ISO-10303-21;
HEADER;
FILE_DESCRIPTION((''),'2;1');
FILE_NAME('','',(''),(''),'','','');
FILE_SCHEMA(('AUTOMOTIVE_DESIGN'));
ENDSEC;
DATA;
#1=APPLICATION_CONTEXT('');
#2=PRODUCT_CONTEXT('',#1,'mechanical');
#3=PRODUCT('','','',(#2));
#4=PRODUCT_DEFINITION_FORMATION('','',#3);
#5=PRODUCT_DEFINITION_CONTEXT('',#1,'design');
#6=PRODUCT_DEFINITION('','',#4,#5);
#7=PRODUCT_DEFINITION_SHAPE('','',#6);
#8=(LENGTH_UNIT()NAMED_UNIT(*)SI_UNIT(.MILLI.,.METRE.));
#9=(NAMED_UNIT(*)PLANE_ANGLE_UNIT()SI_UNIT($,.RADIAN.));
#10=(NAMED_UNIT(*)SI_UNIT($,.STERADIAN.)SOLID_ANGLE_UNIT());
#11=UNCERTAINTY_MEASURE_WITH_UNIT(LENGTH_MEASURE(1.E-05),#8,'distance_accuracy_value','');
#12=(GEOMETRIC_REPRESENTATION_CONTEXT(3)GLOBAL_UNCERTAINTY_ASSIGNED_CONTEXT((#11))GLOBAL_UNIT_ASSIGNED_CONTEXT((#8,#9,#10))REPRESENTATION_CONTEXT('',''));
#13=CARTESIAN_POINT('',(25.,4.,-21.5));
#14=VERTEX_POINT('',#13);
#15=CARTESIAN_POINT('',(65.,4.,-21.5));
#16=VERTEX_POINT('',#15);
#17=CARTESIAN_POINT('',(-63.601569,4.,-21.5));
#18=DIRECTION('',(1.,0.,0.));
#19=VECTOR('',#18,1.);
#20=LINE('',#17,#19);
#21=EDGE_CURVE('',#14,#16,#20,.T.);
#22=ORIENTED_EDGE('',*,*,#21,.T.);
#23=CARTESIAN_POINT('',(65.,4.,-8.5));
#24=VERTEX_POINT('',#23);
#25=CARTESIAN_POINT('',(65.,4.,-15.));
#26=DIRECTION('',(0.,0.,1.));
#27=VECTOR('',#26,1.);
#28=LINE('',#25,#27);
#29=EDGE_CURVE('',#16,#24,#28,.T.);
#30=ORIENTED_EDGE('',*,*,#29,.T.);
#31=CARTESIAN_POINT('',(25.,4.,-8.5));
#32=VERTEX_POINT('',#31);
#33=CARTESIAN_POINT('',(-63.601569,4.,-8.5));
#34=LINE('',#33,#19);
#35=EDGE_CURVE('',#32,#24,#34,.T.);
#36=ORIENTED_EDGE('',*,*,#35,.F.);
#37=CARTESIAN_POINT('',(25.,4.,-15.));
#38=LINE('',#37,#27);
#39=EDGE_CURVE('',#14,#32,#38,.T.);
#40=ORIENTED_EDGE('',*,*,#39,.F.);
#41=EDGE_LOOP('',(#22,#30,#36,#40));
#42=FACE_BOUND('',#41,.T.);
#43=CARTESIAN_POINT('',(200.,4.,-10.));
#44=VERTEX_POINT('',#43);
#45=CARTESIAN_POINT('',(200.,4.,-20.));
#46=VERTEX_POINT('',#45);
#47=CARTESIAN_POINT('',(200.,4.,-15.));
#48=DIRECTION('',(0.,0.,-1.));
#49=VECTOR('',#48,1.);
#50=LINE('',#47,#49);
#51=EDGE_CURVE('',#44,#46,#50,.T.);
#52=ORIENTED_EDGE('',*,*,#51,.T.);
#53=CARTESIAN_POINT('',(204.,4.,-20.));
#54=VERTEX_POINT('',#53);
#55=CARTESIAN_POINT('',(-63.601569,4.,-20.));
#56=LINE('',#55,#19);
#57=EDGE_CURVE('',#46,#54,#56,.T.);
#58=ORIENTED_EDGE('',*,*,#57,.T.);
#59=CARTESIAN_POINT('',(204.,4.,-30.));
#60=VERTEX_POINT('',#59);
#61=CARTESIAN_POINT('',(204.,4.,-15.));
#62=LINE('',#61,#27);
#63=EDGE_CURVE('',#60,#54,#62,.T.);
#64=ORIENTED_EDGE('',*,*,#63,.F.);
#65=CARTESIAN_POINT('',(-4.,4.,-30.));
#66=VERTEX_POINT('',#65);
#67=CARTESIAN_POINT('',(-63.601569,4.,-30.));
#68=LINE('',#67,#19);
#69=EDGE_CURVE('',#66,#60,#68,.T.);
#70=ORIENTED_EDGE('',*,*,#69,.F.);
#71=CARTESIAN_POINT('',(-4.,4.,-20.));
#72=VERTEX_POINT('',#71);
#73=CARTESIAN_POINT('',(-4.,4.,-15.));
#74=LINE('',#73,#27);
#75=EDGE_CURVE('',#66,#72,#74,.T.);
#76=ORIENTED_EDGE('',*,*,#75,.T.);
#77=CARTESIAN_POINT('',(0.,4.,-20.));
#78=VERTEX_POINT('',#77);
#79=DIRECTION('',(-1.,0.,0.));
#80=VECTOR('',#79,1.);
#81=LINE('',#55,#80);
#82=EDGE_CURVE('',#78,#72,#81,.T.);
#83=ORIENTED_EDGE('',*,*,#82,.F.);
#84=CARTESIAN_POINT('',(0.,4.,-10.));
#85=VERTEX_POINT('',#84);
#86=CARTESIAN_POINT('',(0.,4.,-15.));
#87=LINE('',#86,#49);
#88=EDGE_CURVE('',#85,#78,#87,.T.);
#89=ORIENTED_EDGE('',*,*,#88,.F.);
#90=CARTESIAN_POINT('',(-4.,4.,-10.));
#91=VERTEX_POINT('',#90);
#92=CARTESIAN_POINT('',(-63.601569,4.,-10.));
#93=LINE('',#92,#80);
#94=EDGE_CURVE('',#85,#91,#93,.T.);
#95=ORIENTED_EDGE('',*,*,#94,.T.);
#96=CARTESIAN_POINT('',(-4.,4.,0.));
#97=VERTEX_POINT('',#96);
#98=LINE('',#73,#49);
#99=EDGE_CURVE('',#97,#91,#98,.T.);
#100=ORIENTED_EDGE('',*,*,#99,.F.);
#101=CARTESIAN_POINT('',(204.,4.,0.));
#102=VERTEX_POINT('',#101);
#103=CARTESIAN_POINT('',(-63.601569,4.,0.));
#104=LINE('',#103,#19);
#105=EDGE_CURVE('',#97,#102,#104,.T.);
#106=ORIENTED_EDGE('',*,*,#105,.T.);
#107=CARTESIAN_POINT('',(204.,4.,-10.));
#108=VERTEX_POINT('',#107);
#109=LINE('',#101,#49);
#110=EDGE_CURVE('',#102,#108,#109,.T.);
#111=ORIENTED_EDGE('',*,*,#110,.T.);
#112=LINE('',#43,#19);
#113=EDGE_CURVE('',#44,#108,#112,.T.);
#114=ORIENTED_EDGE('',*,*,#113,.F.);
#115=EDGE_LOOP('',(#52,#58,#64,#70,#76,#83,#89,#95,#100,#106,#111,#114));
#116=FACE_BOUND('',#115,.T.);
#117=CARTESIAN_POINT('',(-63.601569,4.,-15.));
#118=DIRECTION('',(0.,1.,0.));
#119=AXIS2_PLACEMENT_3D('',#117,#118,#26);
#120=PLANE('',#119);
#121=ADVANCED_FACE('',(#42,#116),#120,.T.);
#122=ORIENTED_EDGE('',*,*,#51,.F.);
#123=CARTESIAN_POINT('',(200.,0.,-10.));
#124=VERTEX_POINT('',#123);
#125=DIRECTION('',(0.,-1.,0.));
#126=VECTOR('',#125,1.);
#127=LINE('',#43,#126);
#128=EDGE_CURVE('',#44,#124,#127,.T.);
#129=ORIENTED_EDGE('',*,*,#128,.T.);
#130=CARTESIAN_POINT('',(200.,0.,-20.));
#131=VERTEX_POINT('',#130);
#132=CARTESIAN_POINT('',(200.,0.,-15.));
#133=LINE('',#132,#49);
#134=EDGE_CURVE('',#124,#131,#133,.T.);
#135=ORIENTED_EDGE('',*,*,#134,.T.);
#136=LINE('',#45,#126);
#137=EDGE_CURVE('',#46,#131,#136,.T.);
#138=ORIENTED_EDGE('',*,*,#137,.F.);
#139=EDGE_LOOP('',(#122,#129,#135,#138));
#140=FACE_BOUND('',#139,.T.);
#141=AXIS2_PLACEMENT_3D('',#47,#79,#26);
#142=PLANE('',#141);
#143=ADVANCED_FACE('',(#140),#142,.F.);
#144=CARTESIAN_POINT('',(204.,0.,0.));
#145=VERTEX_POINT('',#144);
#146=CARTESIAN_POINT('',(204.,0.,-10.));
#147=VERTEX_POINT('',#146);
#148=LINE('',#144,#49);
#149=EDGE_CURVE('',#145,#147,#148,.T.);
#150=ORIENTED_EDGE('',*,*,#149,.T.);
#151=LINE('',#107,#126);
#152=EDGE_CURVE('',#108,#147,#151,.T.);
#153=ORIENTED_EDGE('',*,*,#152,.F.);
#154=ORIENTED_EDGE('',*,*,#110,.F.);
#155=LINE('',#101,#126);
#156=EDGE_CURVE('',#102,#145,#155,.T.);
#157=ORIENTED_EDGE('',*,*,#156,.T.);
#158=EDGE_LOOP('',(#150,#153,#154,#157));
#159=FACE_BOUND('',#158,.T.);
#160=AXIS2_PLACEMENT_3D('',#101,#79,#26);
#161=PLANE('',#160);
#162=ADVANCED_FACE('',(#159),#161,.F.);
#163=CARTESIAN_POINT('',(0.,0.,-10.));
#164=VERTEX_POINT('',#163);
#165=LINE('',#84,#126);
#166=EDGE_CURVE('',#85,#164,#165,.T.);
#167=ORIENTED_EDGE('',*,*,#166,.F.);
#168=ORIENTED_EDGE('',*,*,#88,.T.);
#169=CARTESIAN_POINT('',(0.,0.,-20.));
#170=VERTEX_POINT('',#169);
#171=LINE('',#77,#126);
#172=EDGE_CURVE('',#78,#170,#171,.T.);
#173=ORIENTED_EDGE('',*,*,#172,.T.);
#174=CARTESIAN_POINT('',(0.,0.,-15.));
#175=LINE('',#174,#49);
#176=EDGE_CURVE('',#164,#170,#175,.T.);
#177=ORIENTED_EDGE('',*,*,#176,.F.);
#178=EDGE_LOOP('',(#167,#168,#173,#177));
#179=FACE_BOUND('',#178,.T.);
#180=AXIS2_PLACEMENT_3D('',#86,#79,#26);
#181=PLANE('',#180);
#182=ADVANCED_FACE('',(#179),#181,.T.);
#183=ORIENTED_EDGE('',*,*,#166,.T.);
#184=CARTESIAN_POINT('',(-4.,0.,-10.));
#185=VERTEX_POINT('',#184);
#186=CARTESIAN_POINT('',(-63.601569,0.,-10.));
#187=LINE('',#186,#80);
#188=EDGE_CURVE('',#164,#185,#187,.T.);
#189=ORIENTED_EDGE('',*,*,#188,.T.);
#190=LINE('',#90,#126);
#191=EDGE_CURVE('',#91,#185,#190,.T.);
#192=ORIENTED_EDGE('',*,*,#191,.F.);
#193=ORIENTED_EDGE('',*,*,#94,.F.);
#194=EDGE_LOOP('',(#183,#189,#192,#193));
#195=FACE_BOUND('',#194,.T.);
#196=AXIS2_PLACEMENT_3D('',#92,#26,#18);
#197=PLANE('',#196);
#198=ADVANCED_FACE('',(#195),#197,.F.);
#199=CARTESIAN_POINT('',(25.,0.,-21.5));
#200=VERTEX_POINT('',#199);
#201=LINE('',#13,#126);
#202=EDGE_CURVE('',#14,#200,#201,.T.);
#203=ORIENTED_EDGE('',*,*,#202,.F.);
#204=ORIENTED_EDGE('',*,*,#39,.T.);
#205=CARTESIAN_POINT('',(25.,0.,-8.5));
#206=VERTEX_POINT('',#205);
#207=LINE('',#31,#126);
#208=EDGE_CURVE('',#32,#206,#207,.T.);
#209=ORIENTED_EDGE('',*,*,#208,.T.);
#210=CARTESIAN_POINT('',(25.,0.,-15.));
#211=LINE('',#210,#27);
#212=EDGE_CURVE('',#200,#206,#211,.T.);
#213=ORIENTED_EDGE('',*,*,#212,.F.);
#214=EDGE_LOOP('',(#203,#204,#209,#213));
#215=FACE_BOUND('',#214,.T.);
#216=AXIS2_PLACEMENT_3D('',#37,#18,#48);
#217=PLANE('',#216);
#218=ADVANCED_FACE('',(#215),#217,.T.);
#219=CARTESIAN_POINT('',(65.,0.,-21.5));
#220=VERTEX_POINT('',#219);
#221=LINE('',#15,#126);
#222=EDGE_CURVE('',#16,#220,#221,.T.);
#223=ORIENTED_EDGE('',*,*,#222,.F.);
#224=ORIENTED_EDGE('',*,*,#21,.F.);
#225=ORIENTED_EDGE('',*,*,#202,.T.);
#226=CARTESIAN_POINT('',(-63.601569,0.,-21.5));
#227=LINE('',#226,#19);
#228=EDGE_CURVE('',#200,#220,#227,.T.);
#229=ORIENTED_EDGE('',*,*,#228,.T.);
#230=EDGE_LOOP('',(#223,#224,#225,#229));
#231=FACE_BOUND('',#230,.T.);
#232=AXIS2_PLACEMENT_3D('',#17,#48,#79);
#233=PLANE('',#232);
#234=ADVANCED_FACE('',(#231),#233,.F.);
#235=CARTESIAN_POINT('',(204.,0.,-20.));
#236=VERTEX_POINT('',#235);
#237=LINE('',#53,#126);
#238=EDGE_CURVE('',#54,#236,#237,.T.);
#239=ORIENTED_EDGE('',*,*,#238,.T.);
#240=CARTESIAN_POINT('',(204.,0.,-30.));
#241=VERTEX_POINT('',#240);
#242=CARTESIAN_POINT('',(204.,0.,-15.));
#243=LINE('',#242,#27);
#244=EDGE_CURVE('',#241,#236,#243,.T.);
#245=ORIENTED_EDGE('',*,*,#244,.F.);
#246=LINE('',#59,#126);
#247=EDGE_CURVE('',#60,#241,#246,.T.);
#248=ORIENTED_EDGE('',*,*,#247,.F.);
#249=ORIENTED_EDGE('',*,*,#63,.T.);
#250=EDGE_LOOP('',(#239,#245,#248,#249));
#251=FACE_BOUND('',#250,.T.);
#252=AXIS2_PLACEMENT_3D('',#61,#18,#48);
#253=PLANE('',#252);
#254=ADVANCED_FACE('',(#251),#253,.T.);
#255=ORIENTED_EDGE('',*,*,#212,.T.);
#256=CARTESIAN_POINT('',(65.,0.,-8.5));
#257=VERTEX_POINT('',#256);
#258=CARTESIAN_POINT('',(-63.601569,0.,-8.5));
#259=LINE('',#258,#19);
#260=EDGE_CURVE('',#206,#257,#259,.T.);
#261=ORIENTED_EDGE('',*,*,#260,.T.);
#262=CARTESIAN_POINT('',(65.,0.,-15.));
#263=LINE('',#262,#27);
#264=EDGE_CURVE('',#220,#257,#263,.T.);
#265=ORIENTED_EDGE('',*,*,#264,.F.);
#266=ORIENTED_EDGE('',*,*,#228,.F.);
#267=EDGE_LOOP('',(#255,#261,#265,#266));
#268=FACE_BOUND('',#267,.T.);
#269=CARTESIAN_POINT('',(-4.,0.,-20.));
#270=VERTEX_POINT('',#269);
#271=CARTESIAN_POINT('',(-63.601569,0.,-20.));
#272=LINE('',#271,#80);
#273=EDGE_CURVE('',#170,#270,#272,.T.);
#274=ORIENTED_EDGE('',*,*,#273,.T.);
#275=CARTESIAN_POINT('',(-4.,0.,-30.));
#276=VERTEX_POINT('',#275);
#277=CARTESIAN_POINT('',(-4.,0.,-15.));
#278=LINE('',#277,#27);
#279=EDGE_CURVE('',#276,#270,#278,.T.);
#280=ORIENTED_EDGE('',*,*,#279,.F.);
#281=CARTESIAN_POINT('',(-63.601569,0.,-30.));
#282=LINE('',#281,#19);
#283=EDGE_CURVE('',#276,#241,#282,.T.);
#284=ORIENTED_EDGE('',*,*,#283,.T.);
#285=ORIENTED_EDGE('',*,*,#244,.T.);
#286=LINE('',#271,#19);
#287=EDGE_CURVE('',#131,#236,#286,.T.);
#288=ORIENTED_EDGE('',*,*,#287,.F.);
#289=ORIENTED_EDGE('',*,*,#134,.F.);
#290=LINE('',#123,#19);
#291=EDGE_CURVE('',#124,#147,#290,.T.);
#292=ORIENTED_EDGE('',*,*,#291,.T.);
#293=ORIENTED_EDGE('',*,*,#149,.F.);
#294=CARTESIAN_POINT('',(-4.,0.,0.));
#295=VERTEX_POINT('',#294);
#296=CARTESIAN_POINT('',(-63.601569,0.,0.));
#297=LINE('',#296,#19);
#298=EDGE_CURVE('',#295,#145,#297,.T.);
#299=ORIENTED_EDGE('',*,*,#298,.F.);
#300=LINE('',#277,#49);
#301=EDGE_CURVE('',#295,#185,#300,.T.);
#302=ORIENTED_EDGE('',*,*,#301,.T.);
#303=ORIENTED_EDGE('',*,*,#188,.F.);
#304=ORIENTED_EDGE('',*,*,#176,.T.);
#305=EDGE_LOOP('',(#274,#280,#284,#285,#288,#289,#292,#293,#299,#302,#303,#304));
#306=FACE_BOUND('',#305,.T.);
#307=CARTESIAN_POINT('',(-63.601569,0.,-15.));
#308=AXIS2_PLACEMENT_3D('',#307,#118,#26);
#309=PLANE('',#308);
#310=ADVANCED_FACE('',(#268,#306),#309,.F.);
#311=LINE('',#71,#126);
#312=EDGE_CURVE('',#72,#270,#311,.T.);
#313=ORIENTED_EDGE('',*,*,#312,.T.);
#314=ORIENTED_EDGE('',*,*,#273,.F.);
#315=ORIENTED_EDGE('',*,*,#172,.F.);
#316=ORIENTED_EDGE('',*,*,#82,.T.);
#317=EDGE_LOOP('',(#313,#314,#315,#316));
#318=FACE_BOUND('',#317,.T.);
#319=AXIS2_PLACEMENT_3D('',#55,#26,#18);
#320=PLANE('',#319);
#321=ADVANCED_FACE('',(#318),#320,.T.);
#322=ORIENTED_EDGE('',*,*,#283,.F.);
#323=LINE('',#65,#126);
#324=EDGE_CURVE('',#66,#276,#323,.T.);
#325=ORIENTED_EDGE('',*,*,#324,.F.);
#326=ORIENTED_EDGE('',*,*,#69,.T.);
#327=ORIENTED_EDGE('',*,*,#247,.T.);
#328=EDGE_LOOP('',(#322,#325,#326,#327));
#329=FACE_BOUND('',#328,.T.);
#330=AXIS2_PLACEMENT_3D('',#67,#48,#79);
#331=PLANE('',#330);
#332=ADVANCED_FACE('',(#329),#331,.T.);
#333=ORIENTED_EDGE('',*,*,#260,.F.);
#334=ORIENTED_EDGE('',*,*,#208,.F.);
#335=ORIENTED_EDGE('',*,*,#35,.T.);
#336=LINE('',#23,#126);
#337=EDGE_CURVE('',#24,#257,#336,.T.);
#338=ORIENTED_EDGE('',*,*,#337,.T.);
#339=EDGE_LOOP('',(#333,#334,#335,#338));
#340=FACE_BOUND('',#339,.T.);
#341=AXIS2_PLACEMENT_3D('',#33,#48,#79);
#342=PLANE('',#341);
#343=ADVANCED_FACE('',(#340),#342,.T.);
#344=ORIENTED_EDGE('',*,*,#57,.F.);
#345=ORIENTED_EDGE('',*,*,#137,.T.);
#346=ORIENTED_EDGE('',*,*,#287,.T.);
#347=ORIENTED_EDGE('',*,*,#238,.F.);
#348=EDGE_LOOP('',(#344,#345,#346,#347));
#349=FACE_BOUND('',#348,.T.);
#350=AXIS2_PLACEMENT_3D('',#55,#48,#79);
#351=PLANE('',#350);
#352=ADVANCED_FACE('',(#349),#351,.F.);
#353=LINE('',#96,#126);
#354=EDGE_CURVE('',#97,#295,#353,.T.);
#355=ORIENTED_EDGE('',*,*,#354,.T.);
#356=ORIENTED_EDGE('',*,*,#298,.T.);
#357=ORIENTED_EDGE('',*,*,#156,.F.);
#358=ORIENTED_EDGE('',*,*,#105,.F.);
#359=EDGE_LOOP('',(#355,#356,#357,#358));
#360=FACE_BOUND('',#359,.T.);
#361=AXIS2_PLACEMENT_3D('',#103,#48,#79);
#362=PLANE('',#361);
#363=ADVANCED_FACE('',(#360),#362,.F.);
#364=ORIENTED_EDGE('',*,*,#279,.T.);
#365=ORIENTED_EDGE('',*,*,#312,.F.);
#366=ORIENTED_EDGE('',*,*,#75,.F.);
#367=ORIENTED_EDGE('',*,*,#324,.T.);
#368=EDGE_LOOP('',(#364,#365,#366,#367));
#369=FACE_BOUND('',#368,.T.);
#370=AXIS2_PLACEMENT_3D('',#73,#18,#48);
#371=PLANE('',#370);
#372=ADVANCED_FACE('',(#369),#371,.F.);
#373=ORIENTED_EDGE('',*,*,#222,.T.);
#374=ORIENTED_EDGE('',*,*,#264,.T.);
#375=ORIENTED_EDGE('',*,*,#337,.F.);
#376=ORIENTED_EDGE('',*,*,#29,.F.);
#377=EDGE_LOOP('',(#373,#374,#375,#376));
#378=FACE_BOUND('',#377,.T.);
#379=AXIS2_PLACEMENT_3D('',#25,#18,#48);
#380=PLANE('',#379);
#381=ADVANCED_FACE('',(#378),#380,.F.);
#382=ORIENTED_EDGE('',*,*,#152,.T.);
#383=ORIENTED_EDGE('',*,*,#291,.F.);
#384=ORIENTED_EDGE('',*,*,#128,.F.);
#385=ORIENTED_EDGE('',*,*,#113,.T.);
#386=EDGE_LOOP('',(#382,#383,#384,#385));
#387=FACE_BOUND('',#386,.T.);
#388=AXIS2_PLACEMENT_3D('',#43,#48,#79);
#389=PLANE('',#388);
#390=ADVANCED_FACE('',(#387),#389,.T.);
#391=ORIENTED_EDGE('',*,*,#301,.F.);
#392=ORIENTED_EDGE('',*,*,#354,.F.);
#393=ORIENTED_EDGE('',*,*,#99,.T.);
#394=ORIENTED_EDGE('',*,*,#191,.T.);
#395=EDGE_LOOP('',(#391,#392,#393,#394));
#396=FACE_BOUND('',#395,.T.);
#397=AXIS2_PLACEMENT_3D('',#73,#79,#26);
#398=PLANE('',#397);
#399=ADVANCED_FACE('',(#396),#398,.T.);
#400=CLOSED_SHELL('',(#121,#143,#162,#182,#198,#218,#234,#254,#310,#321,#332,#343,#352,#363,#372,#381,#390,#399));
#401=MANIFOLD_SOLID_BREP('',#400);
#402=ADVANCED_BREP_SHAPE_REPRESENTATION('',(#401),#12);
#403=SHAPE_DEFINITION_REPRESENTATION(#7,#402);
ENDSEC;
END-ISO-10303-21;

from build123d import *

# Parameters (mm, degrees)
SKETCH1_W           = 200
SKETCH1_H           = 30
SKETCH1_W_2         = 40
SKETCH1_H_2         = 13
SKETCH1_W_3         = 4
SKETCH1_H_3         = 10
BOSS_EXTRUDE1_DEPTH = 4


with BuildPart() as part:
    # Sketch1 → Boss-Extrude1 (new body)
    # profile 1 of 5: a face of its own
    with BuildSketch(Plane(origin=(0, 0, 0), x_dir=(1, 0, 0), z_dir=(0, 1, 0))):
        with Locations((100, 15)):
            Rectangle(SKETCH1_W, SKETCH1_H)
        with Locations((45, 15)):
            Rectangle(SKETCH1_W_2, SKETCH1_H_2, mode=Mode.SUBTRACT)
    # profile 2 of 5: a face of its own
    with BuildSketch(Plane(origin=(0, 0, 0), x_dir=(1, 0, 0), z_dir=(0, 1, 0))):
        with Locations((-2, 5)):
            Rectangle(SKETCH1_W_3, SKETCH1_H_3)
    # profile 3 of 5: a face of its own
    with BuildSketch(Plane(origin=(0, 0, 0), x_dir=(1, 0, 0), z_dir=(0, 1, 0))):
        with Locations((-2, 25)):
            Rectangle(SKETCH1_W_3, SKETCH1_H_3)
    # profile 4 of 5: a face of its own
    with BuildSketch(Plane(origin=(0, 0, 0), x_dir=(1, 0, 0), z_dir=(0, 1, 0))):
        with Locations((202, 25)):
            Rectangle(SKETCH1_W_3, SKETCH1_H_3)
    # profile 5 of 5: a face of its own
    with BuildSketch(Plane(origin=(0, 0, 0), x_dir=(1, 0, 0), z_dir=(0, 1, 0))):
        with Locations((202, 5)):
            Rectangle(SKETCH1_W_3, SKETCH1_H_3)
    extrude(amount=BOSS_EXTRUDE1_DEPTH)


solid = part.part
